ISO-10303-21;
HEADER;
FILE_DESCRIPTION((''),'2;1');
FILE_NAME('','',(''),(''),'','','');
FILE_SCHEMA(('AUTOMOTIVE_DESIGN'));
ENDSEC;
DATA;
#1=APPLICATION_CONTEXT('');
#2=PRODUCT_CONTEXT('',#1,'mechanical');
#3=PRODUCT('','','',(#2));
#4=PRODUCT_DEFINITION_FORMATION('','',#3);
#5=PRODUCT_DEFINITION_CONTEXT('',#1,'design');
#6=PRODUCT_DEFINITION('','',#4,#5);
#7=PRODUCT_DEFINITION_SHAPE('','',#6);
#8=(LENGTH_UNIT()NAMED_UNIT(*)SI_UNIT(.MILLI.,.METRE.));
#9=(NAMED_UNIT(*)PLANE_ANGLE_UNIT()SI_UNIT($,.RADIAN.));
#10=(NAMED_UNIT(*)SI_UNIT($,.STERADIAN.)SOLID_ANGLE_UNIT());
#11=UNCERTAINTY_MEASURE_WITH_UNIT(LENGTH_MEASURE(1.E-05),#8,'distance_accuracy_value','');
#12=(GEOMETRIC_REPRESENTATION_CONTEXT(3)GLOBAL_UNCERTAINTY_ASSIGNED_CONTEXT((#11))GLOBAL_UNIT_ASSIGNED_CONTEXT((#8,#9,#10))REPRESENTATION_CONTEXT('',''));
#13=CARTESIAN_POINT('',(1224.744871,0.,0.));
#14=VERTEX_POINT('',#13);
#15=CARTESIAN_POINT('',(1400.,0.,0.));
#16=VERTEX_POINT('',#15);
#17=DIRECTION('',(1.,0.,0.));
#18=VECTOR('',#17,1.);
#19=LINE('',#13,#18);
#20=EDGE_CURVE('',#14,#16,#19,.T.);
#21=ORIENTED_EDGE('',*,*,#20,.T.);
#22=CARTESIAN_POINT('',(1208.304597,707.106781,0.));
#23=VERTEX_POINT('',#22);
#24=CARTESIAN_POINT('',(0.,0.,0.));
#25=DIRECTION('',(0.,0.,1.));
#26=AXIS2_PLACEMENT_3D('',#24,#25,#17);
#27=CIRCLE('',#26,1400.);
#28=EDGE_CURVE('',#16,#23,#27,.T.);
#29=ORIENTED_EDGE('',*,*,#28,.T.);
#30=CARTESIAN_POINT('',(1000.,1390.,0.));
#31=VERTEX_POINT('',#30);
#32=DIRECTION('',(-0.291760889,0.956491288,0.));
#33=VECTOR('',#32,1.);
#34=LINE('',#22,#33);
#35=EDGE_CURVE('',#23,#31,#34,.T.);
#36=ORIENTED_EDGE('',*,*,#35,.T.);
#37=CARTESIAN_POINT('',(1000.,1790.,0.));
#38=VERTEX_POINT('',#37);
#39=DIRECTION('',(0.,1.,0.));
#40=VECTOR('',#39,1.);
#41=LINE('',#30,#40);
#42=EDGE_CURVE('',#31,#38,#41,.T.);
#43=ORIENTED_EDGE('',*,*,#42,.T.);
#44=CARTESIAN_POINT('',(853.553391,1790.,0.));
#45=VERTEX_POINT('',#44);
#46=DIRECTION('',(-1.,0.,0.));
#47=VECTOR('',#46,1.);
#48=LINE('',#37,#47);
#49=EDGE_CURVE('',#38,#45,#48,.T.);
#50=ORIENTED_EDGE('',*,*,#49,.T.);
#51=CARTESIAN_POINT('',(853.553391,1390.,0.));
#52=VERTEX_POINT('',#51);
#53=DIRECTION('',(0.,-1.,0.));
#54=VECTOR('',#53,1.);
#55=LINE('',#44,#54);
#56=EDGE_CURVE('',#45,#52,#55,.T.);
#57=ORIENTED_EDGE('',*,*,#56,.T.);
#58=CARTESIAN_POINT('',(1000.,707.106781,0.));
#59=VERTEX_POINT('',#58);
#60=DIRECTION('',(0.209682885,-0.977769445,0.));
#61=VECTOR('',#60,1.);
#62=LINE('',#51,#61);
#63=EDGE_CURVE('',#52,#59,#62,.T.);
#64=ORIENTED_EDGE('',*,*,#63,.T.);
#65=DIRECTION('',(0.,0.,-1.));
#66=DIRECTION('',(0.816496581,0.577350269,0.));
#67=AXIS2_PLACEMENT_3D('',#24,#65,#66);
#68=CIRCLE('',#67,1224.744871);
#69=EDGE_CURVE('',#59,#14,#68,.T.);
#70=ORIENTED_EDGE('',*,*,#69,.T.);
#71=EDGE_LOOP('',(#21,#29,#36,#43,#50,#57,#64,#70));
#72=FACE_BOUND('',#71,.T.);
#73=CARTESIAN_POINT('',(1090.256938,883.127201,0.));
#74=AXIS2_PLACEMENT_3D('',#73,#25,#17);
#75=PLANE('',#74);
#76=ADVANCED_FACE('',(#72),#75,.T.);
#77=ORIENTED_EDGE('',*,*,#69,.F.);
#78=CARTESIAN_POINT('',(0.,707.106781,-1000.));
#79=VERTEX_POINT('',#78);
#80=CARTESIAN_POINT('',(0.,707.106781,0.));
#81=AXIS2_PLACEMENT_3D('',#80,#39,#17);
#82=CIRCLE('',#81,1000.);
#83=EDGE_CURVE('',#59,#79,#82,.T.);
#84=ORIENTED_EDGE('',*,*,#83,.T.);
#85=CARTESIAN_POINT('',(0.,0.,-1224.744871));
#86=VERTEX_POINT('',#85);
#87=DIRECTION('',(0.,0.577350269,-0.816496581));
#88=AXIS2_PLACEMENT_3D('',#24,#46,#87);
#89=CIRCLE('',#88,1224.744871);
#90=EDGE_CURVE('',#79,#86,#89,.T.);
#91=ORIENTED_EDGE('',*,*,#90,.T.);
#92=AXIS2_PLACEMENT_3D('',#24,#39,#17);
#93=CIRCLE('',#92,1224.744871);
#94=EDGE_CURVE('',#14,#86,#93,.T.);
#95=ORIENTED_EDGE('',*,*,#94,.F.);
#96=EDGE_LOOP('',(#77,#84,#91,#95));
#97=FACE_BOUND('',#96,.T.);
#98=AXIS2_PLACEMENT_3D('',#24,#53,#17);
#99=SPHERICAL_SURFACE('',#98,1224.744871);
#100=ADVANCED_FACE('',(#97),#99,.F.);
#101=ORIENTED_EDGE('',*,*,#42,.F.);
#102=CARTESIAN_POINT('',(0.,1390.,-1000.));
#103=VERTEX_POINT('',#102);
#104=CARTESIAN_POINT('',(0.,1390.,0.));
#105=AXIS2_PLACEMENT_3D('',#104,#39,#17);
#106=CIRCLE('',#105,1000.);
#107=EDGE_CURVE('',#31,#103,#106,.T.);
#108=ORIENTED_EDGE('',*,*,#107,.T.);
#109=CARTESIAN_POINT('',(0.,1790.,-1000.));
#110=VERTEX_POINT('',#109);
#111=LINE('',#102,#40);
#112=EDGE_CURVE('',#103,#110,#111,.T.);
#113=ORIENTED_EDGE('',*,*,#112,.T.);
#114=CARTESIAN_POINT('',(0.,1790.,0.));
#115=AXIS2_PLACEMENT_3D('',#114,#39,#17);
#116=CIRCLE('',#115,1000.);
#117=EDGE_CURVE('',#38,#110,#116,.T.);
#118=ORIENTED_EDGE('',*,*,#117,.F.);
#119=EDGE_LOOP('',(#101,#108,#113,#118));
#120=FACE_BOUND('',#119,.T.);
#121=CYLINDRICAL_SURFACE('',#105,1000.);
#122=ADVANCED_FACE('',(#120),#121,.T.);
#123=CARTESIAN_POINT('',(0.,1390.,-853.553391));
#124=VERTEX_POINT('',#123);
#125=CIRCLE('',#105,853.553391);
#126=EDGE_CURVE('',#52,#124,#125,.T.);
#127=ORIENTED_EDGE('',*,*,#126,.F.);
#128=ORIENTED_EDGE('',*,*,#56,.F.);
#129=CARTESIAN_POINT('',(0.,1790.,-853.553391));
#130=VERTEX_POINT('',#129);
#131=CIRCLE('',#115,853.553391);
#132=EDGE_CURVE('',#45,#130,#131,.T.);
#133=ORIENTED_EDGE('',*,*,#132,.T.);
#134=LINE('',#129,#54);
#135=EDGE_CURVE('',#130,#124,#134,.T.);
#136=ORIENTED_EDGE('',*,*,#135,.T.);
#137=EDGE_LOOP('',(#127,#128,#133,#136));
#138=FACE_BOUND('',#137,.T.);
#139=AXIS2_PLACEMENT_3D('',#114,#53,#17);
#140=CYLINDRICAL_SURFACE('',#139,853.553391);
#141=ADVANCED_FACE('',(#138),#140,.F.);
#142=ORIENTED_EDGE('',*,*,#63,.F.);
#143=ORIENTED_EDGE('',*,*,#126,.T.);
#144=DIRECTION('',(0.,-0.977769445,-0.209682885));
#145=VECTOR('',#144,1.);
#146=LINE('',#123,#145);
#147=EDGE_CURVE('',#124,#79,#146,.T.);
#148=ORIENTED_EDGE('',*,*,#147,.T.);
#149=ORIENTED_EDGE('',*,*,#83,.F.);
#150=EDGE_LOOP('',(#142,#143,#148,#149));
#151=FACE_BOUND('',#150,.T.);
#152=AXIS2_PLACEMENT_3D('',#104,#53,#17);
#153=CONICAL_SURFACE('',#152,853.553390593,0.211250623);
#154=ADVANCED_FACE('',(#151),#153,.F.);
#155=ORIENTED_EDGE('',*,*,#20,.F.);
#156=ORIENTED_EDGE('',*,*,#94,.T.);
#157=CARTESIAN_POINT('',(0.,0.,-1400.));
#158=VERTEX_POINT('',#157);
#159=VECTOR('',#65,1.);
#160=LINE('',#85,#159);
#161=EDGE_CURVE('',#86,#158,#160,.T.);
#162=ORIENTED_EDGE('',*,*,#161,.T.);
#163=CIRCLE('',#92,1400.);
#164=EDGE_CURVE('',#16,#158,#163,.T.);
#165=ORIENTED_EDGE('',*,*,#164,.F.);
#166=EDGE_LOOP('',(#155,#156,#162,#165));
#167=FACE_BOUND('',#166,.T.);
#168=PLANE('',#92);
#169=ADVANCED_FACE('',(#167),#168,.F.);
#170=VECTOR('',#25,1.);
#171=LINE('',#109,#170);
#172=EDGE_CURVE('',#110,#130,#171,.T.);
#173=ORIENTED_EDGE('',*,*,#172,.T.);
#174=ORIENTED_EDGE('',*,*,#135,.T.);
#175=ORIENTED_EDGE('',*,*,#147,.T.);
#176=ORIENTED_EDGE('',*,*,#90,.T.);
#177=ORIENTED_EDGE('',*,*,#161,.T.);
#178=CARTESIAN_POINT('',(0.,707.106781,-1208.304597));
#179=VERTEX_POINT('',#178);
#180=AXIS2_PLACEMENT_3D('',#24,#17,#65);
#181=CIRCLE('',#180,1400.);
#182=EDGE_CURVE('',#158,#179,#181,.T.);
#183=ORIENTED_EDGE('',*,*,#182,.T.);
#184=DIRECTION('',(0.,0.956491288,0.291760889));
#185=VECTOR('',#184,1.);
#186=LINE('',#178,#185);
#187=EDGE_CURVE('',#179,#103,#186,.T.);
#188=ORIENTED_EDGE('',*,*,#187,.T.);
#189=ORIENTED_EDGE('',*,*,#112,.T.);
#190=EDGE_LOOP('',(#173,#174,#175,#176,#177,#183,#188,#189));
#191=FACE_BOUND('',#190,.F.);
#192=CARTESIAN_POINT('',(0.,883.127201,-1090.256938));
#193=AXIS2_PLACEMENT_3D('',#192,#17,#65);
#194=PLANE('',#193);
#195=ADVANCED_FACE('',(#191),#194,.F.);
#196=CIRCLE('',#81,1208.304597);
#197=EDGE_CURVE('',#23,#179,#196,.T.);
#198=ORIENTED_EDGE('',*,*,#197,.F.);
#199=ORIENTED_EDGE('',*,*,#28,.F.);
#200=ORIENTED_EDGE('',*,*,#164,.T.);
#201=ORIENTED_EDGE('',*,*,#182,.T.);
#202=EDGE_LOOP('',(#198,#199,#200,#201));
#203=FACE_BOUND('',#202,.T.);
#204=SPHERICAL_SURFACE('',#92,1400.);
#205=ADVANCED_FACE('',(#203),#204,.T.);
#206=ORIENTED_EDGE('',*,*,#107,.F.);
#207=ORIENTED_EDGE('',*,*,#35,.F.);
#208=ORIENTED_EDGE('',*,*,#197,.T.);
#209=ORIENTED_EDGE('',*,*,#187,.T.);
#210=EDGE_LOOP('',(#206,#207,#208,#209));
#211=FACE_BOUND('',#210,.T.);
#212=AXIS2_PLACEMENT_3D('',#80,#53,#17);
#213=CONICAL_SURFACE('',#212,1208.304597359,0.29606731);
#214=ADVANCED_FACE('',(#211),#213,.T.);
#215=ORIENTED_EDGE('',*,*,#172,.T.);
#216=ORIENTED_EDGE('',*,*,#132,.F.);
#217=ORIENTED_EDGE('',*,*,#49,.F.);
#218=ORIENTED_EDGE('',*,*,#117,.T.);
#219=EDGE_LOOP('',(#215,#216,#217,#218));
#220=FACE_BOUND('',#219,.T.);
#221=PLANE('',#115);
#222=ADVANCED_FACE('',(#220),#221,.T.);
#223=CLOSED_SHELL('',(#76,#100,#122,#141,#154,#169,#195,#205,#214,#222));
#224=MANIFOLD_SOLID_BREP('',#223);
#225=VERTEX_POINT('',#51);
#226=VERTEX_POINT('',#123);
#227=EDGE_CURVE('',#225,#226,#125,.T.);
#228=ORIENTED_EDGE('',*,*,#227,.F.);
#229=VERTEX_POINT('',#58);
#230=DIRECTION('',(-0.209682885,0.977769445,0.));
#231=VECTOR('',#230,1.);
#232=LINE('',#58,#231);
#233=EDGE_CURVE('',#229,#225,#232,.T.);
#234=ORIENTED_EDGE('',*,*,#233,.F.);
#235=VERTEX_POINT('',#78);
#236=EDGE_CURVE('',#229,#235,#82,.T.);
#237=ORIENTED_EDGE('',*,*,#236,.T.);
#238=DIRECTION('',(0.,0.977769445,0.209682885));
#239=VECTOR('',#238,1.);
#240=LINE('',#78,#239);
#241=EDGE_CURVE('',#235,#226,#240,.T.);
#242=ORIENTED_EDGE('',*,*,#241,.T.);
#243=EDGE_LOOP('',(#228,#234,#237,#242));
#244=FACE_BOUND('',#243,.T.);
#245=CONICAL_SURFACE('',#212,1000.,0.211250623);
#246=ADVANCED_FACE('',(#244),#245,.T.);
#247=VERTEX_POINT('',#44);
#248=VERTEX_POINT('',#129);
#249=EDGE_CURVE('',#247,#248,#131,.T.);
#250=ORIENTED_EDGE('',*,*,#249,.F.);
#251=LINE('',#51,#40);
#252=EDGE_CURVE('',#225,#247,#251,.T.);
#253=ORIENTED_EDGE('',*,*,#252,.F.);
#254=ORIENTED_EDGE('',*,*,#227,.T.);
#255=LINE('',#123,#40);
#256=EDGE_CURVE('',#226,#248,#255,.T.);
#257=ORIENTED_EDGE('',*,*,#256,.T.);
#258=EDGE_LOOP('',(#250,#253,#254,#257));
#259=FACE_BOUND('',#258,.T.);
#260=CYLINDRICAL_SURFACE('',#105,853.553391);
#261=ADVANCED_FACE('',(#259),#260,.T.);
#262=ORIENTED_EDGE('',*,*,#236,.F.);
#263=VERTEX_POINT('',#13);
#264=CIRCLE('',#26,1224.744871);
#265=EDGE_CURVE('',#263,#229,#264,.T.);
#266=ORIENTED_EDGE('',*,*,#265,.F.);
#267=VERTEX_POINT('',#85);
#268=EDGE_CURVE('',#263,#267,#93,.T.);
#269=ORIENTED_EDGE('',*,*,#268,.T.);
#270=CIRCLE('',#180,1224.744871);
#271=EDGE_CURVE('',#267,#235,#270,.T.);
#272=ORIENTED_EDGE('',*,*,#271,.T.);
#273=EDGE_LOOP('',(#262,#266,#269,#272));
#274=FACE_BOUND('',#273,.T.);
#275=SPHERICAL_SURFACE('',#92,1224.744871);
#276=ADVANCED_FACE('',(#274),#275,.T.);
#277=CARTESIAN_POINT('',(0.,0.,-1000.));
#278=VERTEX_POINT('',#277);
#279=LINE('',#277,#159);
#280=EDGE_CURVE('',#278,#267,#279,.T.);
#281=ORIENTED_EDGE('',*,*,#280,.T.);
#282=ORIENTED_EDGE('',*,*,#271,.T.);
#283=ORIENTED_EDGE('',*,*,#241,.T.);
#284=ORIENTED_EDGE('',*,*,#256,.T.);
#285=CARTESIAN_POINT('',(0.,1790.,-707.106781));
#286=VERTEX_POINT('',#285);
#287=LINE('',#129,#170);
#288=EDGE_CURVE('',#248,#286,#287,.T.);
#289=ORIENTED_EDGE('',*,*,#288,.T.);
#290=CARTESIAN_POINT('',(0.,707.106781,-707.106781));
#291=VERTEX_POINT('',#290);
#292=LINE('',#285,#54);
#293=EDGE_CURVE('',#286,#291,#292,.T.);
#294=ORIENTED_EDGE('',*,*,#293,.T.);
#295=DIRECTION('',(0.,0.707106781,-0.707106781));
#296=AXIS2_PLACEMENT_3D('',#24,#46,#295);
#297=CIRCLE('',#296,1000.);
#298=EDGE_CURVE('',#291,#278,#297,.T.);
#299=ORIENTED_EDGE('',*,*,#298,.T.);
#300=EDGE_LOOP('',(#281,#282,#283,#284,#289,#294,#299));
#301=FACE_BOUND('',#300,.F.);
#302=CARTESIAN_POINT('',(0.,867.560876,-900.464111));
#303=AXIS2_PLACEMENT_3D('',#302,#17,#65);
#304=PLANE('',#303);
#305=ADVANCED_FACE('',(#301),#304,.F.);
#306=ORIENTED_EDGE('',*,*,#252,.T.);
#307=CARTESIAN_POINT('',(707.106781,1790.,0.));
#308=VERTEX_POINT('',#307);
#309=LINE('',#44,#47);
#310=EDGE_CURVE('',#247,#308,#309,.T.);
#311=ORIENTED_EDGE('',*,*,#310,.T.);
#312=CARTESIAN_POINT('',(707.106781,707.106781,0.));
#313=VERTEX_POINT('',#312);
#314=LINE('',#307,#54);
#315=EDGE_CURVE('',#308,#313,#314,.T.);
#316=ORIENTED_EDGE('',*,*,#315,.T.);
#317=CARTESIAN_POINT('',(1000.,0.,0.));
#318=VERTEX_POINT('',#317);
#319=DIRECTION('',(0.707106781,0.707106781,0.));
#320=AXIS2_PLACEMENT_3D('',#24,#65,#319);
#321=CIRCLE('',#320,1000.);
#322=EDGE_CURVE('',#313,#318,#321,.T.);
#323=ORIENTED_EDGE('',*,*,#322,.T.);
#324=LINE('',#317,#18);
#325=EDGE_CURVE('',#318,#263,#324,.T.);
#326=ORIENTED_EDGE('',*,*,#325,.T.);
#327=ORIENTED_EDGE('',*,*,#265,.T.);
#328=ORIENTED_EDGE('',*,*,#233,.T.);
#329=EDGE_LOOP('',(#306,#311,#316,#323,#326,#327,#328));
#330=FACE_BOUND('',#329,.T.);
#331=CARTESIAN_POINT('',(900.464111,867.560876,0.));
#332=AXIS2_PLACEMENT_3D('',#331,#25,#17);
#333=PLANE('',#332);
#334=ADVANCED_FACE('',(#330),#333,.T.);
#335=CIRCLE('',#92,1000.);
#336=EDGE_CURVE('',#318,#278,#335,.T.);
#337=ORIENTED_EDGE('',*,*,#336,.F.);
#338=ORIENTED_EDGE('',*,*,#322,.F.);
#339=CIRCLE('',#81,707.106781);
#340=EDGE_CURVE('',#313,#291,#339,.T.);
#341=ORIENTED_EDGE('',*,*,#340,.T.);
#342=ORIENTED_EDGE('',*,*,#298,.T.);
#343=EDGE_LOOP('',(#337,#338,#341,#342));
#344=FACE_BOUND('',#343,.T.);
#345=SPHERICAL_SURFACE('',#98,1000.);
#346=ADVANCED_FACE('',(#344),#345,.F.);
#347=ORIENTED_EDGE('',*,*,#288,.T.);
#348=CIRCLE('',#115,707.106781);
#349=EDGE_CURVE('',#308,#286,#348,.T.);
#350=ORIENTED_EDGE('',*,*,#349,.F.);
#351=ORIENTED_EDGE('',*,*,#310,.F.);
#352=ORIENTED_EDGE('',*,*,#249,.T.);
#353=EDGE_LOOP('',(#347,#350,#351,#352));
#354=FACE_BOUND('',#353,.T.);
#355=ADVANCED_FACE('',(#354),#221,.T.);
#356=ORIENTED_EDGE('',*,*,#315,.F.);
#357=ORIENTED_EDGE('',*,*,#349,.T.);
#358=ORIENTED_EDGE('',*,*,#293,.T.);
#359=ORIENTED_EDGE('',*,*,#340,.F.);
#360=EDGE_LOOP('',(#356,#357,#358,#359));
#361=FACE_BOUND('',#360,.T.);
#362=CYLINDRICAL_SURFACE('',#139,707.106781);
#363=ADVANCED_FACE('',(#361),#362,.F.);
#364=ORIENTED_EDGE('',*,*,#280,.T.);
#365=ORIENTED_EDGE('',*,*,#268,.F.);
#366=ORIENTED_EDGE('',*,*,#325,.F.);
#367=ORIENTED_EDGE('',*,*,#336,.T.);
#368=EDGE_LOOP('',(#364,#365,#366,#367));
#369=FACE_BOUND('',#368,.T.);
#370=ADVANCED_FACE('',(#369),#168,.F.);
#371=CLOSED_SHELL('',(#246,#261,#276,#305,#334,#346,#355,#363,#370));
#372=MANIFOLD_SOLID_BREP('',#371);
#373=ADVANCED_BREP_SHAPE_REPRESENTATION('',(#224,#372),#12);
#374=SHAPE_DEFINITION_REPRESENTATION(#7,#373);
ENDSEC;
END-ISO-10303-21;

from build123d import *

# Parameters (mm, degrees)
REVOLVE2_ANGLE = 90
REVOLVE3_ANGLE = 90


with BuildPart() as part:
    # Sketch1 → Revolve2 (revolve)
    with BuildSketch(Plane.XY):
        with BuildLine():
            Line((707.106781187, 1790), (707.106781187, 707.106781187))
            ThreePointArc((707.106781187, 707.106781187), (923.879532511, 382.683432365), (1000, 0))
            Line((1000, 0), (1224.744871392, 0))
            ThreePointArc((1224.744871392, 0), (1167.207109169, 370.981892151), (1000, 707.106781187))
            Line((1000, 707.106781187), (853.553390593, 1390))
            Line((853.553390593, 1390), (853.553390593, 1790))
            Line((853.553390593, 1790), (707.106781187, 1790))
        make_face()
    revolve(axis=Axis((0, 355.703332398, 0), (0, 1, 0)), revolution_arc=REVOLVE2_ANGLE)


with BuildPart() as body_2:
    # Sketch1<4> → Revolve3 (revolve)
    with BuildSketch(Plane.XY):
        with BuildLine():
            Line((1000, 1790), (853.553390593, 1790))
            Line((853.553390593, 1790), (853.553390593, 1390))
            Line((853.553390593, 1390), (1000, 707.106781187))
            ThreePointArc((1000, 707.106781187), (1167.207109169, 370.981892151), (1224.744871392, 0))
            Line((1224.744871392, 0), (1400, 0))
            ThreePointArc((1400, 0), (1351.22656063, 366.315140075), (1208.304597359, 707.106781187))
            Line((1208.304597359, 707.106781187), (1000, 1390))
            Line((1000, 1390), (1000, 1790))
        make_face()
    revolve(axis=Axis((0, 355.703332398, 0), (0, 1, 0)), revolution_arc=REVOLVE3_ANGLE)


solid = Compound([part.part, body_2.part])
